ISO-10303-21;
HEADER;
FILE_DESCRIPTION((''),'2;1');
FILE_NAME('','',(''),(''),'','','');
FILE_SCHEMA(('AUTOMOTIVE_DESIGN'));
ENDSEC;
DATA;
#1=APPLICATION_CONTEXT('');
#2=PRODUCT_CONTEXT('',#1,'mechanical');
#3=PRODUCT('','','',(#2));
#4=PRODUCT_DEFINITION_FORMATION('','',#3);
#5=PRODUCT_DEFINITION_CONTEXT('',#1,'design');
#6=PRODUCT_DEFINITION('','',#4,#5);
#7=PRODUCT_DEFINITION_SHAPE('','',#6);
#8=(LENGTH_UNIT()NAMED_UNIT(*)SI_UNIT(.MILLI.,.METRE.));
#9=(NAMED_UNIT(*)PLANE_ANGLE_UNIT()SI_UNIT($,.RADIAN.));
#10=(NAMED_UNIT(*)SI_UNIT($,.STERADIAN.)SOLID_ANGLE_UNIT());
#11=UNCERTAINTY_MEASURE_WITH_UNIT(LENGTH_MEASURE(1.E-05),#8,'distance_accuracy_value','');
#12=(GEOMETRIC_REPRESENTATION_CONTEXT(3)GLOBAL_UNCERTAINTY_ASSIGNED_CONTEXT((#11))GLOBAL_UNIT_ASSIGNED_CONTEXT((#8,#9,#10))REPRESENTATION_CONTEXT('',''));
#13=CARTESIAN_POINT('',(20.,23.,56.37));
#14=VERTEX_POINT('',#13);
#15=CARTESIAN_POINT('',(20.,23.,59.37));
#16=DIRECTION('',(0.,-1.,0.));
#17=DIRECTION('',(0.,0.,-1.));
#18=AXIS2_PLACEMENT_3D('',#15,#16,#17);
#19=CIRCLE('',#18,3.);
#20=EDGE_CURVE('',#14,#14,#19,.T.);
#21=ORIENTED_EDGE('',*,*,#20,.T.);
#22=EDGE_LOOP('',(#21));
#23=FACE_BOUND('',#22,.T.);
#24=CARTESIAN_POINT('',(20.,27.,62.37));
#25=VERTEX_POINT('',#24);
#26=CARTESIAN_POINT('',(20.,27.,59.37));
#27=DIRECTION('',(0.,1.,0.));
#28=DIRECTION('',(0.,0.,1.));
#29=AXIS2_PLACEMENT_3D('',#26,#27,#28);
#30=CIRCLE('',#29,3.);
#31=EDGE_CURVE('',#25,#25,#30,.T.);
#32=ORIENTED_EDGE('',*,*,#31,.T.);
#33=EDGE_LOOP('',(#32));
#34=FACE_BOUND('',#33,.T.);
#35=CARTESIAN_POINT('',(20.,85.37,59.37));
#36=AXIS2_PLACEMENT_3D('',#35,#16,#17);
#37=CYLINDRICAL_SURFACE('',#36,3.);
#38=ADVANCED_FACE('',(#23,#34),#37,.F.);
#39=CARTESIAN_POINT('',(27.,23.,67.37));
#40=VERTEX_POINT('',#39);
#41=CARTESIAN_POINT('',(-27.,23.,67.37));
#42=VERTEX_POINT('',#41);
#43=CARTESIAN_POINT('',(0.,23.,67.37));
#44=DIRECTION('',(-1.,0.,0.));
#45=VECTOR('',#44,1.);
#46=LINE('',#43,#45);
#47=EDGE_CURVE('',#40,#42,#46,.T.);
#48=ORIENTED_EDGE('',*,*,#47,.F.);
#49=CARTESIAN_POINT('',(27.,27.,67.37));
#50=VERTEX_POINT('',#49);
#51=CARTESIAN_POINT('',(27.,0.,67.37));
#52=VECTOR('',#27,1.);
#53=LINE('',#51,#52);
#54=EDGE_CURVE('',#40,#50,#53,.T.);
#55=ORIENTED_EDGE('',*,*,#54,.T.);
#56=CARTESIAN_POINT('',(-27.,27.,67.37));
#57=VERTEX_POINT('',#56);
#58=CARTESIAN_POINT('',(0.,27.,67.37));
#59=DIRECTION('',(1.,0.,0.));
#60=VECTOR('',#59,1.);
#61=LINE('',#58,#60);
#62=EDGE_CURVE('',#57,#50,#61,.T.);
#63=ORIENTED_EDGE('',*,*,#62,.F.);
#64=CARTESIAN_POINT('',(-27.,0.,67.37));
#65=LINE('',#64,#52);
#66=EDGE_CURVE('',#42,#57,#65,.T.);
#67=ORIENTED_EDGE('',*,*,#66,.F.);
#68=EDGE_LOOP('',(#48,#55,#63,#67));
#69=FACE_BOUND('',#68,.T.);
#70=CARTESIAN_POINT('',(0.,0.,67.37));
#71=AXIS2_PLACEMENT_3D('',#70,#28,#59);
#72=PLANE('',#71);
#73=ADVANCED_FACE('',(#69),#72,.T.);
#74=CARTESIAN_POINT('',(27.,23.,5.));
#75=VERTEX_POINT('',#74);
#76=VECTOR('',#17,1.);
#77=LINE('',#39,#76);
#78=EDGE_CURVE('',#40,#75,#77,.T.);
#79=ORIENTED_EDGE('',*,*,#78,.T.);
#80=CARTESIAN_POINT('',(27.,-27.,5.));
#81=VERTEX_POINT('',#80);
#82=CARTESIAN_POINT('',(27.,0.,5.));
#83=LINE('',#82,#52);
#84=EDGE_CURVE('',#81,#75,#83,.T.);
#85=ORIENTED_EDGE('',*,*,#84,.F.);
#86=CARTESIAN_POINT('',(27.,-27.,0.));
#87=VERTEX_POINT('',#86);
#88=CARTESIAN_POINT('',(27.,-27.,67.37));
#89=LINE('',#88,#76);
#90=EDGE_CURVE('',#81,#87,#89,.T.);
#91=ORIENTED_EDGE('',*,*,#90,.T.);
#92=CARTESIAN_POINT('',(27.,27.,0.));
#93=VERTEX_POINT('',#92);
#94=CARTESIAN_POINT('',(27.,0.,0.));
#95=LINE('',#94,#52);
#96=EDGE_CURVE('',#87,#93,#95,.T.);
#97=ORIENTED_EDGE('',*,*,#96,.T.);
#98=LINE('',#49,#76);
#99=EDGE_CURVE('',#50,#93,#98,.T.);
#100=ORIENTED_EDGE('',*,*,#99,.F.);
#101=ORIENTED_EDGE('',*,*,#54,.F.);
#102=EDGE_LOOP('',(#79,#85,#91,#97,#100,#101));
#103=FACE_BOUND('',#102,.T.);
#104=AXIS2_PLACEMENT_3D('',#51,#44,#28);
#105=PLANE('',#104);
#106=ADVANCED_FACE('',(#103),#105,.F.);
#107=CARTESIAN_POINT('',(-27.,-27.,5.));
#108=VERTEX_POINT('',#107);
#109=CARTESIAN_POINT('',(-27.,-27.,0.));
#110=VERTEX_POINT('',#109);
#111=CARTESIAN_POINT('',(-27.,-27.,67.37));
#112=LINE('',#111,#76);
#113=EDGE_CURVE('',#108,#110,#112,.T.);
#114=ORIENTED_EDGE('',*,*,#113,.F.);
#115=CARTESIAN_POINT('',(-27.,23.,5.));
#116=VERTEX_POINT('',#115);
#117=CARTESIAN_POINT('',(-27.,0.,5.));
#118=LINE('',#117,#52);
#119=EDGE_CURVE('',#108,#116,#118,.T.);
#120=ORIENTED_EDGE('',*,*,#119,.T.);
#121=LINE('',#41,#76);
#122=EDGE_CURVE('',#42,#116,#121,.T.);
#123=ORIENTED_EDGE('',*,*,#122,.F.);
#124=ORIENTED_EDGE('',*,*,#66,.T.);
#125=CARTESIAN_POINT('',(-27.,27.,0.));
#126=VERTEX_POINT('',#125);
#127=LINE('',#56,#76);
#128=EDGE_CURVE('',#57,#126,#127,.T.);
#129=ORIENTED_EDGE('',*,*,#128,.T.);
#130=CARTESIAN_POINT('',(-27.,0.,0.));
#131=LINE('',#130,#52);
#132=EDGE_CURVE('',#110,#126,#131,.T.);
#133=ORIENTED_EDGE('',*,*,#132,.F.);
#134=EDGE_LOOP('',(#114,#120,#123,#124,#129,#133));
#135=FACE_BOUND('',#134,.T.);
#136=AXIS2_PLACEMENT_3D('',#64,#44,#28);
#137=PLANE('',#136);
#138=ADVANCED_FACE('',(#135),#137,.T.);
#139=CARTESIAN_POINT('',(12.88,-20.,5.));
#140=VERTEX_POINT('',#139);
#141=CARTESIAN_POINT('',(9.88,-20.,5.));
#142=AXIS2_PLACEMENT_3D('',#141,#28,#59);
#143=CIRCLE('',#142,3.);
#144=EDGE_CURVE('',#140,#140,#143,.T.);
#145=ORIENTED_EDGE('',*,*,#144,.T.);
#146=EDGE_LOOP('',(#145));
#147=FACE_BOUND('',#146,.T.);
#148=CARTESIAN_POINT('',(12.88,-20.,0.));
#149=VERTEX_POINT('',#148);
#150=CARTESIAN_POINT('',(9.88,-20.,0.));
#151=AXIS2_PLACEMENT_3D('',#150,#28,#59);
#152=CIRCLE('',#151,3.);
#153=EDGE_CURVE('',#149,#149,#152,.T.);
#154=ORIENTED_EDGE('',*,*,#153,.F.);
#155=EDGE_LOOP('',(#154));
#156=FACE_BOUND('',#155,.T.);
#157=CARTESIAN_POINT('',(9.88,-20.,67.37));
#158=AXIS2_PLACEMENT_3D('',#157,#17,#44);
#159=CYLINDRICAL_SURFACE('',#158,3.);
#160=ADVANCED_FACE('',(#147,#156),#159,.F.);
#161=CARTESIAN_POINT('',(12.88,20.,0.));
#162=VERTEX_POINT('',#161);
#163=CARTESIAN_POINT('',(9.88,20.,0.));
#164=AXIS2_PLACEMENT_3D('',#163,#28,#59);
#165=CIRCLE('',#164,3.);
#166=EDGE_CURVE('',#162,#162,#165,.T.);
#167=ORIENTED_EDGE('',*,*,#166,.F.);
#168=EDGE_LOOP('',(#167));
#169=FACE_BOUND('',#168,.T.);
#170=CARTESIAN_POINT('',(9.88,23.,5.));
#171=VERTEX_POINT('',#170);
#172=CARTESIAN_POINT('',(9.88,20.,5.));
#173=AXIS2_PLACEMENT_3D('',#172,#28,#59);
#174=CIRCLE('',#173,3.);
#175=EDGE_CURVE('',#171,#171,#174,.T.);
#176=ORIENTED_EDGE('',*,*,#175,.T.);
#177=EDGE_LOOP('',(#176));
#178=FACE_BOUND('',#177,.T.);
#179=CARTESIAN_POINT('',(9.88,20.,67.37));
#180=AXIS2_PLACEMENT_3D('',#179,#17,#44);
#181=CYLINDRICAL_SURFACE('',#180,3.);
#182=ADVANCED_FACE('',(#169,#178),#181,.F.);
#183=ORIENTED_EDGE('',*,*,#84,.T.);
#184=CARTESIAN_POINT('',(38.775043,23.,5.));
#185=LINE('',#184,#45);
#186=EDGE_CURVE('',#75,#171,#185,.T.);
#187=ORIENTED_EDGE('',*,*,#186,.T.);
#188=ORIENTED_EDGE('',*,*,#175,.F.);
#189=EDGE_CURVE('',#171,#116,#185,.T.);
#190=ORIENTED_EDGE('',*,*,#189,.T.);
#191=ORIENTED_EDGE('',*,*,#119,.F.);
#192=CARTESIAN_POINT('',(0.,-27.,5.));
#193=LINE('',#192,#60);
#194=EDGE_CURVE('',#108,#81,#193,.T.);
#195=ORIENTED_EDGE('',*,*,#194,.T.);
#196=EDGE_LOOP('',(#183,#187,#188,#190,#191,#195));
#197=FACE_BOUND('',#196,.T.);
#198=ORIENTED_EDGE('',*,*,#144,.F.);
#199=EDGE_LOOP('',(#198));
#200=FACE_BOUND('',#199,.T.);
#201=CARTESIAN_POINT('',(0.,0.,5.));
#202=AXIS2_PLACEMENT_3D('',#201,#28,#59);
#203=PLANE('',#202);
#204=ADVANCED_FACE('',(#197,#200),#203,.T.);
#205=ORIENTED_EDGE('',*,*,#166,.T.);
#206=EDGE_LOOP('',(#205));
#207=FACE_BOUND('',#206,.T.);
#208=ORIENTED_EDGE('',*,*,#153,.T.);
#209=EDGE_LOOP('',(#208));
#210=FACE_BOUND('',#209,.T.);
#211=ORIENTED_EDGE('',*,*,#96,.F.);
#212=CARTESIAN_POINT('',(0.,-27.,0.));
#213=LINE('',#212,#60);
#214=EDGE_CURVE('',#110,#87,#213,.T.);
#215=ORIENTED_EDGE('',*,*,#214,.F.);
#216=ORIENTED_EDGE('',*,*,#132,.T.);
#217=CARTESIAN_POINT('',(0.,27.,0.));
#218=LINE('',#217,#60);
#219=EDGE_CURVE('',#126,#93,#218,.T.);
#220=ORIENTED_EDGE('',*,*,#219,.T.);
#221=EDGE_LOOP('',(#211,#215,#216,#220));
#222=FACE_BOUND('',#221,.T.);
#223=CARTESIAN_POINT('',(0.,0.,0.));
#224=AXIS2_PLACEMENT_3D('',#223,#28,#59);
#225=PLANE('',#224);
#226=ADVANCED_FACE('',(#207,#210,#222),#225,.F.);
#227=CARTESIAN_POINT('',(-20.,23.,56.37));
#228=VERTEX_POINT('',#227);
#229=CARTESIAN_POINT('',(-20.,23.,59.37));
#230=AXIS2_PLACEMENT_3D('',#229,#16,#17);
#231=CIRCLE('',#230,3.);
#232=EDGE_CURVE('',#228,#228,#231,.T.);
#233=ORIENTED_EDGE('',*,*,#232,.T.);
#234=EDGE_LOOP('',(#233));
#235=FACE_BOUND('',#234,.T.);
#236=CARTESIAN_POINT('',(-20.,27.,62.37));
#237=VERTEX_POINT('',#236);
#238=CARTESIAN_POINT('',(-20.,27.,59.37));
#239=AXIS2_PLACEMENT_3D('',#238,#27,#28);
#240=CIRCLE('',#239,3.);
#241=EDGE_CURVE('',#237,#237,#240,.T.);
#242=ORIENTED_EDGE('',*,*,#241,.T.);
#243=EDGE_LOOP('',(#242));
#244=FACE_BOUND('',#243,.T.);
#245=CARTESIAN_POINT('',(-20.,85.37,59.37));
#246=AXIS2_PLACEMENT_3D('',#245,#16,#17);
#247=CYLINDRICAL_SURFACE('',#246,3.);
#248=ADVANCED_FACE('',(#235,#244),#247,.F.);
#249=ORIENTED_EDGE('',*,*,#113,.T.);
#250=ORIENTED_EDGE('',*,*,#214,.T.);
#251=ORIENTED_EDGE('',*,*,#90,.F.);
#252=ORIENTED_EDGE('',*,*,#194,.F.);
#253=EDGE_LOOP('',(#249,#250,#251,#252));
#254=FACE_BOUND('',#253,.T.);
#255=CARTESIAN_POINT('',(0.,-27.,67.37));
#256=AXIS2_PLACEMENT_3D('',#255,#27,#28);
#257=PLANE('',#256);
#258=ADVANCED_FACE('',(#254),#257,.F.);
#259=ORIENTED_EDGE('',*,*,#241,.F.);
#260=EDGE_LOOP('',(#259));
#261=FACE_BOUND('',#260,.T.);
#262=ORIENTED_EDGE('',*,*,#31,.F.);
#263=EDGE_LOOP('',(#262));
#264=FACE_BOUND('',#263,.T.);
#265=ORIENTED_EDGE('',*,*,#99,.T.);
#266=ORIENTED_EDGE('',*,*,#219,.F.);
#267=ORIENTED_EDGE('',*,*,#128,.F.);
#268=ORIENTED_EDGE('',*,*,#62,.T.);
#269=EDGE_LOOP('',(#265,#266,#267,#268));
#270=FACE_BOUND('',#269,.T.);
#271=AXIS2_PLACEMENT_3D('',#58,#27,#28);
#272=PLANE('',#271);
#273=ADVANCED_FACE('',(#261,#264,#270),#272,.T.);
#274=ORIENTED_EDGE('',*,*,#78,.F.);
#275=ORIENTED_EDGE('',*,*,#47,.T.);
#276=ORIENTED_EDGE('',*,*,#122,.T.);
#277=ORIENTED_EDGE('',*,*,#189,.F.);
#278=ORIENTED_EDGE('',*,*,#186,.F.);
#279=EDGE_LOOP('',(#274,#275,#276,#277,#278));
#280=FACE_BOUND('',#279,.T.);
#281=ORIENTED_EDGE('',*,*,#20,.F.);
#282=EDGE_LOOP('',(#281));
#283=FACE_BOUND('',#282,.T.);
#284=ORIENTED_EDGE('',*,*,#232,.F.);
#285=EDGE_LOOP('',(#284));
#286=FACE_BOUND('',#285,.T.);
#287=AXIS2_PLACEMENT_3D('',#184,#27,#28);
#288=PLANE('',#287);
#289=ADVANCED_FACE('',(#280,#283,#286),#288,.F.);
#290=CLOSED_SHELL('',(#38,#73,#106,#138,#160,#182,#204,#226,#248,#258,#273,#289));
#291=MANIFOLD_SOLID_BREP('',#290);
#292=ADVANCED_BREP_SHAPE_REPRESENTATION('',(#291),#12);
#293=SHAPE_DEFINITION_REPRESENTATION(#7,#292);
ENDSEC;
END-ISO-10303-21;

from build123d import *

# Parameters (mm, degrees)
ESQUISSE1_W             = 54
ESQUISSE1_H             = 54
ESQUISSE1_R             = 3
BOSS_EXTRU_1_DEPTH      = 67.37
ESQUISSE2_W             = 85.887974464
ESQUISSE2_H             = 58.790343592
ENL_V_MAT_EXTRU_1_DEPTH = 62.37
ESQUISSE3_R             = 3
ENL_V_MAT_EXTRU_2_DEPTH = 62.37


with BuildPart() as part:
    # Esquisse1 → Boss.-Extru.1 (new body)
    with BuildSketch(Plane.XY):
        Rectangle(ESQUISSE1_W, ESQUISSE1_H)
        with Locations((9.88, 20)):
            Circle(ESQUISSE1_R, mode=Mode.SUBTRACT)
        with Locations((9.88, -20)):
            Circle(ESQUISSE1_R, mode=Mode.SUBTRACT)
    extrude(amount=BOSS_EXTRU_1_DEPTH)

    # Esquisse2 → Enlèv. mat.-Extru.1 (cut)
    with BuildSketch(Plane.XY.offset(67.37)):
        with Locations((-4.168944697, -6.395171796)):
            Rectangle(ESQUISSE2_W, ESQUISSE2_H)
    extrude(amount=-ENL_V_MAT_EXTRU_1_DEPTH, mode=Mode.SUBTRACT)

    # Esquisse3 → Enlèv. mat.-Extru.2 (cut)
    with BuildSketch(Plane.XZ.offset(-23)):
        with Locations(Location((-20, 59.37, 0), (0, 0, 270))):
            Circle(ESQUISSE3_R)
        with Locations(Location((20, 59.37, 0), (0, 0, 270))):
            Circle(ESQUISSE3_R)
    extrude(amount=-ENL_V_MAT_EXTRU_2_DEPTH, mode=Mode.SUBTRACT)


solid = part.part
